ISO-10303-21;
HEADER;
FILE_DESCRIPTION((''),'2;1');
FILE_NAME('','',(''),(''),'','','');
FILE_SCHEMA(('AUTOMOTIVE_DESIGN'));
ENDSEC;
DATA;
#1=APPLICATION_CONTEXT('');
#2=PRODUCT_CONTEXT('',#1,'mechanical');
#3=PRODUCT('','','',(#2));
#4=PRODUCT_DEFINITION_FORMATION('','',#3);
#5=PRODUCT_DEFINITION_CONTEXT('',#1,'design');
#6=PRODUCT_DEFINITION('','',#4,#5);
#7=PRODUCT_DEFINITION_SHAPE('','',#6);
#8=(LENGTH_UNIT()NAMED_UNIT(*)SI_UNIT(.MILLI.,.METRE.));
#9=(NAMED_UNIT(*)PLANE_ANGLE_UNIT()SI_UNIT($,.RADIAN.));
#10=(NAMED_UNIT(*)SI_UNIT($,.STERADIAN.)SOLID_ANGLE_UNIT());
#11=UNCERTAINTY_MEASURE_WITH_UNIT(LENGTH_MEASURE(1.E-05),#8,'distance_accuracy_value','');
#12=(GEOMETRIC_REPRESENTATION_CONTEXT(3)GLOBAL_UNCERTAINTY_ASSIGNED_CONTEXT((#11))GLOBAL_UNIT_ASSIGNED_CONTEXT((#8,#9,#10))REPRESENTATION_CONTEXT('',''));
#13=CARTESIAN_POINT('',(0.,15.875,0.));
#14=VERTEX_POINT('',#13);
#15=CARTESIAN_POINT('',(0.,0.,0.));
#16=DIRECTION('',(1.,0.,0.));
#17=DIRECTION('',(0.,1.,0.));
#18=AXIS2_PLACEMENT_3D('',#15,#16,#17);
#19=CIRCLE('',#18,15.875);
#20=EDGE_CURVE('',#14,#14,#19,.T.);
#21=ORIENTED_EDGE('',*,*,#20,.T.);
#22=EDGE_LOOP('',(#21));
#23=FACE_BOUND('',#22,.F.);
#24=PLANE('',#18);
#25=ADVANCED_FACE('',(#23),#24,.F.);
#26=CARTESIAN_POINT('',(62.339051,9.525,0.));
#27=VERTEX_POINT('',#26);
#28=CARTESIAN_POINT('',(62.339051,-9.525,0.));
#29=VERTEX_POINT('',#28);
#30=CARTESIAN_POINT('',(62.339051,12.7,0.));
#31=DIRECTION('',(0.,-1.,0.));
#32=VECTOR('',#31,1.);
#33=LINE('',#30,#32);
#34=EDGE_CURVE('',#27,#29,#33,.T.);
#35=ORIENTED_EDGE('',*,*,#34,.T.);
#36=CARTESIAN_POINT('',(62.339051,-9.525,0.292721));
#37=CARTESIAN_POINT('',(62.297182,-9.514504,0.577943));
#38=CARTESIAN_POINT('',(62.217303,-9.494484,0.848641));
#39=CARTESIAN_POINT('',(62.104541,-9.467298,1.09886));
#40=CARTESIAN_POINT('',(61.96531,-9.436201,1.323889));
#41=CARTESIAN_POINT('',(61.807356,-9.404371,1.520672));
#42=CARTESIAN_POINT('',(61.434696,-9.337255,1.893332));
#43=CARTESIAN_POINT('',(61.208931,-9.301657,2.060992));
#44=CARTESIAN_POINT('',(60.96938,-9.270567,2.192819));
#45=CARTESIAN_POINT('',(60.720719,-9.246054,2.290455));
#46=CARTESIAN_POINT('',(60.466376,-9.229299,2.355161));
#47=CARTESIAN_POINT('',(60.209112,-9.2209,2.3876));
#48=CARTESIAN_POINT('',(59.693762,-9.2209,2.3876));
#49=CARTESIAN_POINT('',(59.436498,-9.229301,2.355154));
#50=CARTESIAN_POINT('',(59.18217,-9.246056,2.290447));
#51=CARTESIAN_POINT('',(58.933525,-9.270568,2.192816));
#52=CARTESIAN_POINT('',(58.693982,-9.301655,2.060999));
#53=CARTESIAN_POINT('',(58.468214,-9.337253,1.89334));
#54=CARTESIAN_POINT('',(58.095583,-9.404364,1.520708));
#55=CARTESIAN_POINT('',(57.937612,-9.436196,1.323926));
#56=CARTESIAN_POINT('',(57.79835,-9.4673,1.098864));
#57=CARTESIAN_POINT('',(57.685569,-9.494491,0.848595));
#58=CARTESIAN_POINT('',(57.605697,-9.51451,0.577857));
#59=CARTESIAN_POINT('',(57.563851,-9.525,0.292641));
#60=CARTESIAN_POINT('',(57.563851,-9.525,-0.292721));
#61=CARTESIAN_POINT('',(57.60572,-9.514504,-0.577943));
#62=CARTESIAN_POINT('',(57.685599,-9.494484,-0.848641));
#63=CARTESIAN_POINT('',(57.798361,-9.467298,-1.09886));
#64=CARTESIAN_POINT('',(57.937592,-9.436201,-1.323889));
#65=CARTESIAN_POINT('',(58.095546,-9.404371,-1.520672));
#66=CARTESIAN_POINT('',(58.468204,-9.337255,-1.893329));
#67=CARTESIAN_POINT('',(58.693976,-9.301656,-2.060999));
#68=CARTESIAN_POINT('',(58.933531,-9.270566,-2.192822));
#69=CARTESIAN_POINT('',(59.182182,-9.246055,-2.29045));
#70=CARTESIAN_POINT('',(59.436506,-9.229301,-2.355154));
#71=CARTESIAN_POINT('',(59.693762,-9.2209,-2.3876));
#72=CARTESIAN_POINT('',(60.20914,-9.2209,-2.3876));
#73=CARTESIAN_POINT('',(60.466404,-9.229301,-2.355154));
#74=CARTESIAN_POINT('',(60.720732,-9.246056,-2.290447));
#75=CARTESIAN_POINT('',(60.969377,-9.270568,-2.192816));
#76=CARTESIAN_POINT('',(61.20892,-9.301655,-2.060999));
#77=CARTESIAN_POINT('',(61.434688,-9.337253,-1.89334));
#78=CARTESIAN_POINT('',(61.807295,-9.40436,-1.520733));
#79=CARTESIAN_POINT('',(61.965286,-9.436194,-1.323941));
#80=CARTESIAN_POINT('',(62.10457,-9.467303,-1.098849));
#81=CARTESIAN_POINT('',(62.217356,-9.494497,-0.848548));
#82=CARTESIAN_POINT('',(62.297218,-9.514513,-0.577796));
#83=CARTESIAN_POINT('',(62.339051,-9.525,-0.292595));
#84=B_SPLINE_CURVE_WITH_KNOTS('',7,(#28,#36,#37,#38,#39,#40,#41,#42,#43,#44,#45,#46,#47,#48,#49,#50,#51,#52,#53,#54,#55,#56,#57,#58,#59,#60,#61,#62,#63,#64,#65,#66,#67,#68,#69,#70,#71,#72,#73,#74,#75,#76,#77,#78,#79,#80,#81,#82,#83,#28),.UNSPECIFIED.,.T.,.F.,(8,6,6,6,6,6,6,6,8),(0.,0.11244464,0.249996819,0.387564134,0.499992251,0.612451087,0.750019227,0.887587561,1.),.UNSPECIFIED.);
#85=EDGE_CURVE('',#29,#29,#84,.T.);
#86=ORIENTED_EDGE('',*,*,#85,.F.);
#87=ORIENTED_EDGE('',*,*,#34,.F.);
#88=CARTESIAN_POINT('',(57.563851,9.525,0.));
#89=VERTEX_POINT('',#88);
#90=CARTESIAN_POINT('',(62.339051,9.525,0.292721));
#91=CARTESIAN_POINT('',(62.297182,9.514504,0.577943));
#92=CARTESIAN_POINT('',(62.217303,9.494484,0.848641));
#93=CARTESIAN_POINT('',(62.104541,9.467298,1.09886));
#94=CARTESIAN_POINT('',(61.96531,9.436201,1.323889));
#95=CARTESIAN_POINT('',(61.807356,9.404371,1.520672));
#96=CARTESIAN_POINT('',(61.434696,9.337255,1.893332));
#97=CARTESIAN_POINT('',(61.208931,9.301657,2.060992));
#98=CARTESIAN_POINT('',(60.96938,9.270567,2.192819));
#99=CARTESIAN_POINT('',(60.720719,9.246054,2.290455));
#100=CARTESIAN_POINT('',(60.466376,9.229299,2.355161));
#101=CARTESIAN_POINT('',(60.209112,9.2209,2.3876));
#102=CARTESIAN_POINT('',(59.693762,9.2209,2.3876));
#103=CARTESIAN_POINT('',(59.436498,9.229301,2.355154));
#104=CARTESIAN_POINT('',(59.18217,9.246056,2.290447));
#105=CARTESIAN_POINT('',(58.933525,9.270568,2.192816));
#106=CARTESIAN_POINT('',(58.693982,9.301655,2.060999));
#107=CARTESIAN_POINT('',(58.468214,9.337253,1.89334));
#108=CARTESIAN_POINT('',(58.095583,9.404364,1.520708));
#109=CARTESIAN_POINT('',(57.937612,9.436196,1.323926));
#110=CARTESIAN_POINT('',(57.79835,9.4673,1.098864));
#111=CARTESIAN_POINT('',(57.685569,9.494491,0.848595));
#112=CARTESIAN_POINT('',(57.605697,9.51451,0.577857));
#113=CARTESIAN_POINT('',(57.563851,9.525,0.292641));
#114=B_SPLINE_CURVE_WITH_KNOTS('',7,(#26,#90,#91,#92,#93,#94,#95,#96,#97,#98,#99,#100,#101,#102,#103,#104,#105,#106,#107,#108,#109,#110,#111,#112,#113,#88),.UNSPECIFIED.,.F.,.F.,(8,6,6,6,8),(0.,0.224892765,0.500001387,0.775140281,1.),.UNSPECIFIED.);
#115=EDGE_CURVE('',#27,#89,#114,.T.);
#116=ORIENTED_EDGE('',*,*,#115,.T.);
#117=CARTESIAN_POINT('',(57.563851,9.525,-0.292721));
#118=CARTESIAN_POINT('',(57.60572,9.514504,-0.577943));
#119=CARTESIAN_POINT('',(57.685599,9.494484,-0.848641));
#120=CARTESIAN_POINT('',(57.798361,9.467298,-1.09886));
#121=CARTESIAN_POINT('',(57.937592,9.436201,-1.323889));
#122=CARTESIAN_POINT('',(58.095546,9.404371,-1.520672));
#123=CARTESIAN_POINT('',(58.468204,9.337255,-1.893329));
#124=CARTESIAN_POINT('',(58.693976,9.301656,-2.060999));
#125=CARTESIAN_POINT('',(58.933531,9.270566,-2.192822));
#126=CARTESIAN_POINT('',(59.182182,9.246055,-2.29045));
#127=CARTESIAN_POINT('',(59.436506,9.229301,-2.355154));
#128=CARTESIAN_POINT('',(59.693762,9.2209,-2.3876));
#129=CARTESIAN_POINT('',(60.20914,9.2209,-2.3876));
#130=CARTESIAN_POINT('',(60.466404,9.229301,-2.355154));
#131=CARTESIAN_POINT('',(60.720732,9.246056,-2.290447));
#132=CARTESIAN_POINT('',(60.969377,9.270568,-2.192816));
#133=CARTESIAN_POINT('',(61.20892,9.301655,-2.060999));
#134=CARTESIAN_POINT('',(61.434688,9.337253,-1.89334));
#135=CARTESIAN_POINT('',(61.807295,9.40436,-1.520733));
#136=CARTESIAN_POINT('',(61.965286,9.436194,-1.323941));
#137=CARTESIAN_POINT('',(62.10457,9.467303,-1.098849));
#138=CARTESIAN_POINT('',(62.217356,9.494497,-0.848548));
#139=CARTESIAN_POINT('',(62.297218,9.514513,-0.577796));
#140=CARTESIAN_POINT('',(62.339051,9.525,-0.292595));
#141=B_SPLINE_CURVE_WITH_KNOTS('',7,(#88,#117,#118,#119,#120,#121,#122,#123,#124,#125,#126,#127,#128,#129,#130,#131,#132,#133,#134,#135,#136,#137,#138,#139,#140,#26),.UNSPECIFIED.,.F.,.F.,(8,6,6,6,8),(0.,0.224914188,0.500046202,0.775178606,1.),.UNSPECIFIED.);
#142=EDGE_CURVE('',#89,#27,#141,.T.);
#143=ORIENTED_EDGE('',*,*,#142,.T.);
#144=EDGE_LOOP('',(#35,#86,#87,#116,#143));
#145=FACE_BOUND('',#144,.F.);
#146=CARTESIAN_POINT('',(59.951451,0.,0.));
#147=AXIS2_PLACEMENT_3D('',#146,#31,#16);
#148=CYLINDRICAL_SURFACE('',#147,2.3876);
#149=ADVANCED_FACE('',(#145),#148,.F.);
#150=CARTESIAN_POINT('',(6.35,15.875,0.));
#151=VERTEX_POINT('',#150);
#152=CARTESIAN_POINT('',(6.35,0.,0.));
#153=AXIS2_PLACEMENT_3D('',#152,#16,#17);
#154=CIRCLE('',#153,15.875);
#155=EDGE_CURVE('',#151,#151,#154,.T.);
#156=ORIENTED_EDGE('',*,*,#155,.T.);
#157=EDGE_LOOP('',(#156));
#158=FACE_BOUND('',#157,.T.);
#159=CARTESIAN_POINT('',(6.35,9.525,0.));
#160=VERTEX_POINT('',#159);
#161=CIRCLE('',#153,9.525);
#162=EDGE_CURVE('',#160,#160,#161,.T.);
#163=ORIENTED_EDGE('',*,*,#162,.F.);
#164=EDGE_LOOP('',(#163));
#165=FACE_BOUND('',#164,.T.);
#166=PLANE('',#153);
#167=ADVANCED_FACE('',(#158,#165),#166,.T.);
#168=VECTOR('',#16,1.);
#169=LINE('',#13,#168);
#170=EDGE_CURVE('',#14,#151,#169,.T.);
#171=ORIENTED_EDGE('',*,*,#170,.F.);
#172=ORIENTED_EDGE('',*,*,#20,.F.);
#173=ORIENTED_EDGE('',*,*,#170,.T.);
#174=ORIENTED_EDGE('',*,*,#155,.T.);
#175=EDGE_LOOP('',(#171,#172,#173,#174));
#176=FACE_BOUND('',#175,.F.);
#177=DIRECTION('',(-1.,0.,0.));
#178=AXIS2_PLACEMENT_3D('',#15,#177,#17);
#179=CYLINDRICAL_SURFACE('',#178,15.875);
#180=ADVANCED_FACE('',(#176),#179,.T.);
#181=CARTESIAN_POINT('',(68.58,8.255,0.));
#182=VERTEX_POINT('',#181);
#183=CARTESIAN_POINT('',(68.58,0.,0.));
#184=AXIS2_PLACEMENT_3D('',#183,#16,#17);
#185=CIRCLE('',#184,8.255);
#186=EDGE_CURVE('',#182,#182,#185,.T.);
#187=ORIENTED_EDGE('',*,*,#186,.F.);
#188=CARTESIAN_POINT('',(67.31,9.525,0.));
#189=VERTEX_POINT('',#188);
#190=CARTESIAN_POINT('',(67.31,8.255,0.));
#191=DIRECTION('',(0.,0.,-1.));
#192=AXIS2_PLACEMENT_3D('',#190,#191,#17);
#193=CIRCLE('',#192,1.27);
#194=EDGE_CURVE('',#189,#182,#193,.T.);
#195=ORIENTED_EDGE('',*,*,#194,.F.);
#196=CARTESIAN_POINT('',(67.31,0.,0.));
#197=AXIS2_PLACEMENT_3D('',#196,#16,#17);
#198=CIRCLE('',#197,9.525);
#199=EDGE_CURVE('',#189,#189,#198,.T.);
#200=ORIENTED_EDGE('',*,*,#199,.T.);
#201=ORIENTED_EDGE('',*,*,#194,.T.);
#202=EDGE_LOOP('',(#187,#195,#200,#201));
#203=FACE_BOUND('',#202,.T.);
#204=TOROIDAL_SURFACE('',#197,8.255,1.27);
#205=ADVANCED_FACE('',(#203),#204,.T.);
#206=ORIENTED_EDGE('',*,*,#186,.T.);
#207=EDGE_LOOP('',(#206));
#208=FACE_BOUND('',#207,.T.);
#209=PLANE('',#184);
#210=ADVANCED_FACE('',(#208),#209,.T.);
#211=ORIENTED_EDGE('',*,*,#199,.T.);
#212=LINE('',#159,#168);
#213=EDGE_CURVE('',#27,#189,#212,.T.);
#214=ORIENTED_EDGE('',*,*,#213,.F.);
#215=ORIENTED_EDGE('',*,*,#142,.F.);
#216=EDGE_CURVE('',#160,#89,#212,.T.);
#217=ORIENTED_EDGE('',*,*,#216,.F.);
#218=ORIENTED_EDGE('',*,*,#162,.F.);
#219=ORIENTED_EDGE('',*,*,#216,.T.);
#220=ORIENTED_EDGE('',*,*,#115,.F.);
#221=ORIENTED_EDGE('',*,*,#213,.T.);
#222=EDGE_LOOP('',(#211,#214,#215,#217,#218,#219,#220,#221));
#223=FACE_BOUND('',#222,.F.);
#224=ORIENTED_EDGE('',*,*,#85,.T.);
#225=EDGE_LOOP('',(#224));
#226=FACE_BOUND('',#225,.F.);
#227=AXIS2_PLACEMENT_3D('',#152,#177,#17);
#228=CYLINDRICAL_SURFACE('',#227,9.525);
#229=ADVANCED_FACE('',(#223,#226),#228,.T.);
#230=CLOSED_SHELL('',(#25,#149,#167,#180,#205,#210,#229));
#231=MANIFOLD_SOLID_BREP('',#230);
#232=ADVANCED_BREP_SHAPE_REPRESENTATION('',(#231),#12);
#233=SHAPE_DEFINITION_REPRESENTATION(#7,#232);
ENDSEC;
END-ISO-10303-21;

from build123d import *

# Parameters (mm, degrees)
F0_R     = 15.875
F1_DEPTH = 6.35
F2_R     = 9.525
F3_DEPTH = 62.23
F4_R     = 1.27
F5_R     = 2.3876
F6_DEPTH = 12.7


with BuildPart() as f1:
    # F0 (on Right) → F1 (new body)
    with BuildSketch(Plane.YZ):
        Circle(F0_R)
    extrude(amount=F1_DEPTH)

    # F2 (on face) → F3 (join)
    with BuildSketch(Plane.YZ.offset(6.35)):
        Circle(F2_R)
    extrude(amount=F3_DEPTH)

    # F4
    f4_edges = [f1.edges().sort_by_distance(p)[0] for p in [
        (68.58, -9.525, 0),
    ]]
    fillet(f4_edges, radius=F4_R)

    # F5 (on Front) → F6 (cut, symmetric)
    with BuildSketch(Plane.XZ):
        with Locations((59.951451, 0)):
            Circle(F5_R)
    extrude(amount=F6_DEPTH, both=True, mode=Mode.SUBTRACT)


solid = f1.part
